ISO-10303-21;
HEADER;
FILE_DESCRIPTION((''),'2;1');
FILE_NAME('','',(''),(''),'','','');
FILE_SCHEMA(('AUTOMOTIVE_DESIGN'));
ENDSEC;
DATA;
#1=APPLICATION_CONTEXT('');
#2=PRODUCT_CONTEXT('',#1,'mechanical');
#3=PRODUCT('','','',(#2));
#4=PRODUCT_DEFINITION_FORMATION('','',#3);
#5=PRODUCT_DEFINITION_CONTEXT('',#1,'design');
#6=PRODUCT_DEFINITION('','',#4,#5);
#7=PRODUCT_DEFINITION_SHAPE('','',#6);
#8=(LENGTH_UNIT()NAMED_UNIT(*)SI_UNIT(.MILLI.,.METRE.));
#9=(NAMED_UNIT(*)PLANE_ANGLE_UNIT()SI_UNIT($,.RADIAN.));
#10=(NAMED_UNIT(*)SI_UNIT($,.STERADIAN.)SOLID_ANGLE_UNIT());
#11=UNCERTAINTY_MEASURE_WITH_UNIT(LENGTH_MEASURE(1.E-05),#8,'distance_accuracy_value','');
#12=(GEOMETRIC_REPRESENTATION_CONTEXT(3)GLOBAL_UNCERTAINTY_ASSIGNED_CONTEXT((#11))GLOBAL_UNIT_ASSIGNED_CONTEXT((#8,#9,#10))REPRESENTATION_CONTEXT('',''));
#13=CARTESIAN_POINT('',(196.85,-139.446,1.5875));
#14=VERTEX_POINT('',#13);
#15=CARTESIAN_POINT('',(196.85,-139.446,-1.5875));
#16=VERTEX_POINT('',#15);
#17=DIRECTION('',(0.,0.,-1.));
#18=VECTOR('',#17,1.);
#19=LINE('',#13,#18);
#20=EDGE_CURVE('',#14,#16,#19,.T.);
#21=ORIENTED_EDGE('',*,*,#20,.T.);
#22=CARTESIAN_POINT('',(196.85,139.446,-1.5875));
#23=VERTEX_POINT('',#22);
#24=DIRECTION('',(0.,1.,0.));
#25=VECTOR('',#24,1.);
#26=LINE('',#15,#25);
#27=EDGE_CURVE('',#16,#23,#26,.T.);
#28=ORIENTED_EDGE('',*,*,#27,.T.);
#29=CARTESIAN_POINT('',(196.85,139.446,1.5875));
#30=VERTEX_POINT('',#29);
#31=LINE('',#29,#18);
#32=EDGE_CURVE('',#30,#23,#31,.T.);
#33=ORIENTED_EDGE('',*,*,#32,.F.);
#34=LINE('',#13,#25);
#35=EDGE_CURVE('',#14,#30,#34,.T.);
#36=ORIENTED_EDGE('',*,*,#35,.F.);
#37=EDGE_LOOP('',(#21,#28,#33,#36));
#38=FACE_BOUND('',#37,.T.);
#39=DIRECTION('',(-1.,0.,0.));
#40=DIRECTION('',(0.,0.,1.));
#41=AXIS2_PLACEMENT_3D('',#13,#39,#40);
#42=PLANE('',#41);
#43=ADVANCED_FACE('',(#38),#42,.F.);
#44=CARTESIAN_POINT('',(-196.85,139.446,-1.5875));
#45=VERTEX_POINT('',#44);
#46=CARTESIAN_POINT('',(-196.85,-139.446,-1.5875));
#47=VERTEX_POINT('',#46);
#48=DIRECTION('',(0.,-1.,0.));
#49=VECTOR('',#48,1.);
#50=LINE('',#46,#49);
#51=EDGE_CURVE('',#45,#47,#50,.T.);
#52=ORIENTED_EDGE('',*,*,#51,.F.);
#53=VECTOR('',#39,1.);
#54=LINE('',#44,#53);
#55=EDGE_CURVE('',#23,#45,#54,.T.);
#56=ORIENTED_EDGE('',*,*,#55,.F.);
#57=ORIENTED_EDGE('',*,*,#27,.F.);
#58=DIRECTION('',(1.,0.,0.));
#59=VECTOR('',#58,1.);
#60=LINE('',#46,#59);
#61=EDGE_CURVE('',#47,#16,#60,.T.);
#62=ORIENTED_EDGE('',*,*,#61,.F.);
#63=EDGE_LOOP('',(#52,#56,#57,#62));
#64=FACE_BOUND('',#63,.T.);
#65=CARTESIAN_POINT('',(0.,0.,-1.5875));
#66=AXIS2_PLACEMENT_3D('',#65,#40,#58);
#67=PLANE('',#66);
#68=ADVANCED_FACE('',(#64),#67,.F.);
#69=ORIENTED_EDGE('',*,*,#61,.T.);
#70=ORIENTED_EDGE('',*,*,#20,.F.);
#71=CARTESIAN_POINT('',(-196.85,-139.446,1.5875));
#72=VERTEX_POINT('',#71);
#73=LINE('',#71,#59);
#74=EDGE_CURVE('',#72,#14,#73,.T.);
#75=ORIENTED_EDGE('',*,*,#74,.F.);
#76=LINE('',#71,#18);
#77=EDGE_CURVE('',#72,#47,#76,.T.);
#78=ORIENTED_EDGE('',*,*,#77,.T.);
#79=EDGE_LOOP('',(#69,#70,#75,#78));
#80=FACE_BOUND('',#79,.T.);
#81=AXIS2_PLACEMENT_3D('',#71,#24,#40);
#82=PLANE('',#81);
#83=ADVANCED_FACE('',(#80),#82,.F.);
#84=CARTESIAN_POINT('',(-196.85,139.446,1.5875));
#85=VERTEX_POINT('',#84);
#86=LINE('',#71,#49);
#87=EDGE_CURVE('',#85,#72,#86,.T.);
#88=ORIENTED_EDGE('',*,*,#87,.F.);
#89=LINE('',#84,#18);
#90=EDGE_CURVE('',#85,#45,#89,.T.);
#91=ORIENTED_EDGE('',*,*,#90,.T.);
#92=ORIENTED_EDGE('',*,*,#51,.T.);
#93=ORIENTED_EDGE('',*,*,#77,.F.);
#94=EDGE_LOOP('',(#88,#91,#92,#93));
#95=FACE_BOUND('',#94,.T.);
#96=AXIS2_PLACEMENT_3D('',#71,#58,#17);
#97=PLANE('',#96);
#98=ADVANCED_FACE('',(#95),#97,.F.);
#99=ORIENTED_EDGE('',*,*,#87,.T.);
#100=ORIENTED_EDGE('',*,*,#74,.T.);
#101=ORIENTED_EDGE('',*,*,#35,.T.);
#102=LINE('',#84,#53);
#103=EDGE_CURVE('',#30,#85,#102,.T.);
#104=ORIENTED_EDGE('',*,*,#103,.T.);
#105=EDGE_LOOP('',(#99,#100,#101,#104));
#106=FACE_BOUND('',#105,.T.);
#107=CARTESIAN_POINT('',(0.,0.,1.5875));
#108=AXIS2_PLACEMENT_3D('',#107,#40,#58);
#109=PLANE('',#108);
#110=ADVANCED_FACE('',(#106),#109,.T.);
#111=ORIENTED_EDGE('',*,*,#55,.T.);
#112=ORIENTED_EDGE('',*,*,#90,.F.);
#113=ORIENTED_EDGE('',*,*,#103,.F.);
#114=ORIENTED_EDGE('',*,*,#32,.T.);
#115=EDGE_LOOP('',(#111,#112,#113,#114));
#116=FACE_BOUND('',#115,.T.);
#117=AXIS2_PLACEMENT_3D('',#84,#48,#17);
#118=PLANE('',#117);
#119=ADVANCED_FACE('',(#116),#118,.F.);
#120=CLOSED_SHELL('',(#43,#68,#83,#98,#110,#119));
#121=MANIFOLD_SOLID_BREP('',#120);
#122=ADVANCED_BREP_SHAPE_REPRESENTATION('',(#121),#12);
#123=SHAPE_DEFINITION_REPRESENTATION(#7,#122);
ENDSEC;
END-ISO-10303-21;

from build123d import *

# Parameters (mm, degrees)
SKETCH3_W           = 393.7
SKETCH3_H           = 278.892
BOSS_EXTRUDE1_DEPTH = 1.5875


with BuildPart() as part:
    # Sketch3 → Boss-Extrude1 (new, symmetric)
    with BuildSketch(Plane.XY):
        Rectangle(SKETCH3_W, SKETCH3_H)
    extrude(amount=BOSS_EXTRUDE1_DEPTH, both=True)


solid = part.part
